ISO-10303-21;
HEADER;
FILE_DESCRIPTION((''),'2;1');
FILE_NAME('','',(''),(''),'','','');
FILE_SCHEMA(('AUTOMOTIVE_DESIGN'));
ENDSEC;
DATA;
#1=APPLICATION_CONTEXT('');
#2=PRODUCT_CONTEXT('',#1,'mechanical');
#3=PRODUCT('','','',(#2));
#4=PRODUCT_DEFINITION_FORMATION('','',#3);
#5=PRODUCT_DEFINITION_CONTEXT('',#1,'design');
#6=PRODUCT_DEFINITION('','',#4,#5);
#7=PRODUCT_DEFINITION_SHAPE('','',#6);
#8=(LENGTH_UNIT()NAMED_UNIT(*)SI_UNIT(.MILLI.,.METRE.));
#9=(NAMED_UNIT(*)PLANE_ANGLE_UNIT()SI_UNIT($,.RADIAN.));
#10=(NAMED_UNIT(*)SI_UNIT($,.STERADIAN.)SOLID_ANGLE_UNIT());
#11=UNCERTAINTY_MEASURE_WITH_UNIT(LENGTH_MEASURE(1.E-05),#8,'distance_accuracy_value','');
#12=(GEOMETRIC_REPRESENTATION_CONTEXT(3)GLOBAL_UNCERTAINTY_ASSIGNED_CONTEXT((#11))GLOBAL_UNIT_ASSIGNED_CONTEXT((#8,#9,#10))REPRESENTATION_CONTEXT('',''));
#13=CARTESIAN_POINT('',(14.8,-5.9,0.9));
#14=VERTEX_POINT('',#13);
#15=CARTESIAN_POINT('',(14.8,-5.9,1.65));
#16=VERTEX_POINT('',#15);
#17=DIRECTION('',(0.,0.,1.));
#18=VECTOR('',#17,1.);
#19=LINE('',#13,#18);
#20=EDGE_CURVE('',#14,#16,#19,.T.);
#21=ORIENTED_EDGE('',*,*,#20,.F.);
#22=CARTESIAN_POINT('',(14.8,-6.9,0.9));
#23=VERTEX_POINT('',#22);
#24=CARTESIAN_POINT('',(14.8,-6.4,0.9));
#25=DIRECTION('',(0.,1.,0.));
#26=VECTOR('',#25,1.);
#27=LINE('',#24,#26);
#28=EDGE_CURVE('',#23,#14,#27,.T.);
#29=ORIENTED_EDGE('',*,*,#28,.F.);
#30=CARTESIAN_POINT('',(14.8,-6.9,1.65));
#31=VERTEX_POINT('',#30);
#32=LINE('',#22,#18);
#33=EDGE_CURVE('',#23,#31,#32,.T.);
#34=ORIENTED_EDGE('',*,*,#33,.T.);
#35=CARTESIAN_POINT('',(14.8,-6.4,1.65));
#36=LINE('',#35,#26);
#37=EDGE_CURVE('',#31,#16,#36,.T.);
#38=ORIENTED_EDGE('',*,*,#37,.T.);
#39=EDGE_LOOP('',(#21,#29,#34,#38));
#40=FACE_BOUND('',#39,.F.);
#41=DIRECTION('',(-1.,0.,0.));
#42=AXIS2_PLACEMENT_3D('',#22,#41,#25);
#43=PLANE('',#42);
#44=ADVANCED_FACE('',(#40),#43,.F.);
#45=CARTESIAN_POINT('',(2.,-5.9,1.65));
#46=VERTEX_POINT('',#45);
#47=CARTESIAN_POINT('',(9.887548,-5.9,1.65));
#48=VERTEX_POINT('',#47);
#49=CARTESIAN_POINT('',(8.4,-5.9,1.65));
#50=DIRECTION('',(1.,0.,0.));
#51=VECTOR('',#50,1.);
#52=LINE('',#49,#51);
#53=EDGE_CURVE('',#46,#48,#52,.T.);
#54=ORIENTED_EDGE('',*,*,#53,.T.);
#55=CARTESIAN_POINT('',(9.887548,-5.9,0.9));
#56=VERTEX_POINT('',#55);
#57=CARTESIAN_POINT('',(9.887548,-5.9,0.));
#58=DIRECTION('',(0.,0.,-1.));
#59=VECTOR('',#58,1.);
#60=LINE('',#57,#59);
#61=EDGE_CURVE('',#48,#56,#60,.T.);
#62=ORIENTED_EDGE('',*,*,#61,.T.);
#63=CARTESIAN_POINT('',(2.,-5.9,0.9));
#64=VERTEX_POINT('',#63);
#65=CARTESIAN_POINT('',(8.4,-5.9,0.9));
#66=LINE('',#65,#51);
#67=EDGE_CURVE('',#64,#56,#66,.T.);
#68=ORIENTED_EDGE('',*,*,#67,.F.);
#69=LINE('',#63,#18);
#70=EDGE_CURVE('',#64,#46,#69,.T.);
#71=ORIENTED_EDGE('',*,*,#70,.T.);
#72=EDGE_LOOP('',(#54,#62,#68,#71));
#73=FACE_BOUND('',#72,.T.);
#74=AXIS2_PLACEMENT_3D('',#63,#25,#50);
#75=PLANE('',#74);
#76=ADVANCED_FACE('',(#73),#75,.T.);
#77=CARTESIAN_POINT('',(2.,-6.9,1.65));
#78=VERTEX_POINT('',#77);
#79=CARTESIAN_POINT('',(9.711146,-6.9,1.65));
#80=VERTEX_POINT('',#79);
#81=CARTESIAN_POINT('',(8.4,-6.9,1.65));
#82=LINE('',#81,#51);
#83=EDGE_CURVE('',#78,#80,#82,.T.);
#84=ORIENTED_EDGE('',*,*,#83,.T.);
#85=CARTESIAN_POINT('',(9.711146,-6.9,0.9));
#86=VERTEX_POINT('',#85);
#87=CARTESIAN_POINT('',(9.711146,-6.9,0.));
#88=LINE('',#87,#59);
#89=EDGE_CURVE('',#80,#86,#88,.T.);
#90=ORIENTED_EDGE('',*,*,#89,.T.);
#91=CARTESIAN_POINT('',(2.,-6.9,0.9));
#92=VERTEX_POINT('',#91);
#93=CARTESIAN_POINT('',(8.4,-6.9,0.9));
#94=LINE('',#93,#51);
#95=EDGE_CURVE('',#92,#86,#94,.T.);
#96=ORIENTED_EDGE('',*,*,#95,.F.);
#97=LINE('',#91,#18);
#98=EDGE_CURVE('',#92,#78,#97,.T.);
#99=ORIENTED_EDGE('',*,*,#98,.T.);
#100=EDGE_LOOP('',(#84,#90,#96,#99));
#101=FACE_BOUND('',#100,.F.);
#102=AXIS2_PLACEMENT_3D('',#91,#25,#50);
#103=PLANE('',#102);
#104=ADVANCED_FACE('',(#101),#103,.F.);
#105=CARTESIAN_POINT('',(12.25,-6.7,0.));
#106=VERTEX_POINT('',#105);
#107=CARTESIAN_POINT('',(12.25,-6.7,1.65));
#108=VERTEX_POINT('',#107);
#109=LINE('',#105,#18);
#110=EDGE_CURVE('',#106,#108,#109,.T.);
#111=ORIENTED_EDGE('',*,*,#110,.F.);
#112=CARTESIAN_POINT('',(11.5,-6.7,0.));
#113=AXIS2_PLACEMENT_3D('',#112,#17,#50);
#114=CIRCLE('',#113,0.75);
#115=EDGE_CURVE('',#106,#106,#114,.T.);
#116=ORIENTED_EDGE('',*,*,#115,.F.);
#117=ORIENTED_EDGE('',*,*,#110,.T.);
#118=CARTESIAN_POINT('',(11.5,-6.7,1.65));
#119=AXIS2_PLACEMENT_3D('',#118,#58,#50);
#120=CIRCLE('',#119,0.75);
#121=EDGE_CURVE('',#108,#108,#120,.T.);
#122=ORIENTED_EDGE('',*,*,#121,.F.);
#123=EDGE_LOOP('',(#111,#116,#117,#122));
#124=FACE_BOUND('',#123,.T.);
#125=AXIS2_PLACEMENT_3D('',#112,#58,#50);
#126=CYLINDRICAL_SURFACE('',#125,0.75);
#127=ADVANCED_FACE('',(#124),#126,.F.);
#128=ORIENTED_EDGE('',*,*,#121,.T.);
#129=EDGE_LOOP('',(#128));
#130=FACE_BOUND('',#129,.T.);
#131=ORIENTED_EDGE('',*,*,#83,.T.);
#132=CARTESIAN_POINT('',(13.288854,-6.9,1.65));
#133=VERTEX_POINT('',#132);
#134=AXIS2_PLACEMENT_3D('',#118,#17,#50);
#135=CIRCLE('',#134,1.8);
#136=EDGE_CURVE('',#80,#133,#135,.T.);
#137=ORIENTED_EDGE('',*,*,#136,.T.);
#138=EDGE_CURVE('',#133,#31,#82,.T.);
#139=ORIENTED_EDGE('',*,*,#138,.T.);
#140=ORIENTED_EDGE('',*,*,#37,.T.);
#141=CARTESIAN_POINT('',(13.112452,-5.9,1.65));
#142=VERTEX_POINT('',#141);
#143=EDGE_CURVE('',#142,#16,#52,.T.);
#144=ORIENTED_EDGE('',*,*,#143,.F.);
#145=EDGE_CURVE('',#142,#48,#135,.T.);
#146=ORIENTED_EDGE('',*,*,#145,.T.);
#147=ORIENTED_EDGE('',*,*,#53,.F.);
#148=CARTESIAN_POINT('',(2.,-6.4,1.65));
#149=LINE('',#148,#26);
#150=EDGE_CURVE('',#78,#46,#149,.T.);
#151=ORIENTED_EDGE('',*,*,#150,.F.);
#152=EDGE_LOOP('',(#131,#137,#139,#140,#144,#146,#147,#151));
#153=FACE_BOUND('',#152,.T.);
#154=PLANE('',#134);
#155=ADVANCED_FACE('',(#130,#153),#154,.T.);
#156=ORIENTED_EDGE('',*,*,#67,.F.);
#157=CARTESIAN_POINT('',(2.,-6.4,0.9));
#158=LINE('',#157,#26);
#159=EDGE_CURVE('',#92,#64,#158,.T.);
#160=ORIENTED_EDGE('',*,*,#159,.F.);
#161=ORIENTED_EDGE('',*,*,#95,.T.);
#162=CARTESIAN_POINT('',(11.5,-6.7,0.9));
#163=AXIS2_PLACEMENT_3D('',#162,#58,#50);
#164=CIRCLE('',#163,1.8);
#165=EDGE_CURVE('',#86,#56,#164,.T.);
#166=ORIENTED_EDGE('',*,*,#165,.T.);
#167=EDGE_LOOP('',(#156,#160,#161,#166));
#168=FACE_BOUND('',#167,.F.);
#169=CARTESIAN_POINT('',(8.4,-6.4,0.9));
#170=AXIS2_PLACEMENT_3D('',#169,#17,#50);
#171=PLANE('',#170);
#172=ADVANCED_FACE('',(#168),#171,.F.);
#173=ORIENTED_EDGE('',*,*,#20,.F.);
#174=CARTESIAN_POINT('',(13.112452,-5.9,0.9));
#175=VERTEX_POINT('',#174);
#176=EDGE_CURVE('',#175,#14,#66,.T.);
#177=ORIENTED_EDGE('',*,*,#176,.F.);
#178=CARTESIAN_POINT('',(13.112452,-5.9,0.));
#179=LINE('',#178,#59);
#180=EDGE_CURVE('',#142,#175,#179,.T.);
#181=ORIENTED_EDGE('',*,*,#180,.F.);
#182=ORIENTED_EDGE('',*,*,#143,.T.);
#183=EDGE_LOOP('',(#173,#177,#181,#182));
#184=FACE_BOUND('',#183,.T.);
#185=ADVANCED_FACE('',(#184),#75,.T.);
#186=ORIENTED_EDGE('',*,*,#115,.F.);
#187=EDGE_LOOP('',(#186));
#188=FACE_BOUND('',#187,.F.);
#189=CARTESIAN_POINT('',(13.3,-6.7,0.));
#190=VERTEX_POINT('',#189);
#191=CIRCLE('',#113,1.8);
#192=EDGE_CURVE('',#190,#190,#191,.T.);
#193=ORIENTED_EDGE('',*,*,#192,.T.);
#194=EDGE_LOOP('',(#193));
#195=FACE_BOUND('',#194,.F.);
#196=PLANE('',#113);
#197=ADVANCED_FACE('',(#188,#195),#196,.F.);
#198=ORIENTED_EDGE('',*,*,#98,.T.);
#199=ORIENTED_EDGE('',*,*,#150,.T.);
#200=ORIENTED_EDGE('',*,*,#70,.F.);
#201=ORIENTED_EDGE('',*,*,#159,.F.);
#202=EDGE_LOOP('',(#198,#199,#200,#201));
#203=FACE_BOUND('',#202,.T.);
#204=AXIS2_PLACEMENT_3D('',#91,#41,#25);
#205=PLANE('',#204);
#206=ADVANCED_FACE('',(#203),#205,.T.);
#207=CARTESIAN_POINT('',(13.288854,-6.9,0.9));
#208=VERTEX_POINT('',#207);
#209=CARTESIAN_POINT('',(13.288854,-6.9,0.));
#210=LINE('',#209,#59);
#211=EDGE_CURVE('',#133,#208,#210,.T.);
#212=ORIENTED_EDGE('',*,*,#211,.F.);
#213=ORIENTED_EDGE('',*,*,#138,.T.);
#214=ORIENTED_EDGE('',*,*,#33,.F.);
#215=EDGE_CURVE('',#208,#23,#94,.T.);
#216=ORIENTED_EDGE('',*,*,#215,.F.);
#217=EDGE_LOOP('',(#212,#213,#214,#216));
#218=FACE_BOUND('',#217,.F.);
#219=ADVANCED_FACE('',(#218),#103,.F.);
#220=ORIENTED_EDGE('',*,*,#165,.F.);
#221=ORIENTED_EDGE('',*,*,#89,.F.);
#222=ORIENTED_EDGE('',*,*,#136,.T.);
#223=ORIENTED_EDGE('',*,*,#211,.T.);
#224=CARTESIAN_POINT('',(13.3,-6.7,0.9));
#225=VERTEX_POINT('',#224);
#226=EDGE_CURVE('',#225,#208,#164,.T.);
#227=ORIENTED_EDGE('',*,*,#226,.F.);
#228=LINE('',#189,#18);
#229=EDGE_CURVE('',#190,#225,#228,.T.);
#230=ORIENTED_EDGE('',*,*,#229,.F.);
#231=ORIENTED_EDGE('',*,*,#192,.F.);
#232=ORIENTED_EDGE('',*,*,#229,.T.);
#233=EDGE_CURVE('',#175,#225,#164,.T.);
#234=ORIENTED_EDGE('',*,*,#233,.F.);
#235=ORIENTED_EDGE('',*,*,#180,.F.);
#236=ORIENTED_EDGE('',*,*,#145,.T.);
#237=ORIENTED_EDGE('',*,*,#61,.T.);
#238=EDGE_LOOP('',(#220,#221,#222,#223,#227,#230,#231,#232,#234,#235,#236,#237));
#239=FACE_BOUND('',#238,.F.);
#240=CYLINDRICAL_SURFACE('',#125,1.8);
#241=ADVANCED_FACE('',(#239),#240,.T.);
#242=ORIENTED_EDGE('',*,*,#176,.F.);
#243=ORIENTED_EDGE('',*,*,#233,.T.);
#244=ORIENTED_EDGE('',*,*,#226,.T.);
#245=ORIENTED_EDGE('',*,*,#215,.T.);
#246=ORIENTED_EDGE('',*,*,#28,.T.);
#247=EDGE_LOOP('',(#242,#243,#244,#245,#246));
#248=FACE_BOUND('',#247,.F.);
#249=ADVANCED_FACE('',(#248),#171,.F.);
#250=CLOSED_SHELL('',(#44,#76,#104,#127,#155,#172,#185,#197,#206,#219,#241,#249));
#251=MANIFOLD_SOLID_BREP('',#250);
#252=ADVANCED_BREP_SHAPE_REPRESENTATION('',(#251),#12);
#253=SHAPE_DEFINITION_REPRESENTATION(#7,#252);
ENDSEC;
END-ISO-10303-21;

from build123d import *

# Parameters (mm, degrees)
CYLINDER003_R     = 0.75
CYLINDER003_DEPTH = 10
CYLINDER_R        = 1.8
CYLINDER_DEPTH    = 1.65
BOX006_W          = 12.8
BOX006_H          = 1
BOX006_DEPTH      = 0.75


with BuildPart() as cylinder003:
    # Cylinder003 → Cylinder003 (new body)
    with BuildSketch(Plane(origin=(11.5, -6.7, 0), x_dir=(1, 0, 0), z_dir=(0, 0, 1))):
        Circle(CYLINDER003_R)
    extrude(amount=CYLINDER003_DEPTH)


with BuildPart() as cylinder:
    # Cylinder → Cylinder (new body)
    with BuildSketch(Plane(origin=(11.5, -6.7, 0), x_dir=(1, 0, 0), z_dir=(0, 0, 1))):
        Circle(CYLINDER_R)
    extrude(amount=CYLINDER_DEPTH)


with BuildPart() as cut:
    # Box006 → Box006 (new body)
    with BuildSketch(Plane(origin=(2, -6.9, 0.9), x_dir=(1, 0, 0), z_dir=(0, 0, 1))):
        with Locations((6.4, 0.5)):
            Rectangle(BOX006_W, BOX006_H)
    extrude(amount=BOX006_DEPTH)

    # Fusion: union Cylinder
    add(cylinder.part)

    # Cut: cut Cylinder003
    add(cylinder003.part, mode=Mode.SUBTRACT)


solid = cut.part
